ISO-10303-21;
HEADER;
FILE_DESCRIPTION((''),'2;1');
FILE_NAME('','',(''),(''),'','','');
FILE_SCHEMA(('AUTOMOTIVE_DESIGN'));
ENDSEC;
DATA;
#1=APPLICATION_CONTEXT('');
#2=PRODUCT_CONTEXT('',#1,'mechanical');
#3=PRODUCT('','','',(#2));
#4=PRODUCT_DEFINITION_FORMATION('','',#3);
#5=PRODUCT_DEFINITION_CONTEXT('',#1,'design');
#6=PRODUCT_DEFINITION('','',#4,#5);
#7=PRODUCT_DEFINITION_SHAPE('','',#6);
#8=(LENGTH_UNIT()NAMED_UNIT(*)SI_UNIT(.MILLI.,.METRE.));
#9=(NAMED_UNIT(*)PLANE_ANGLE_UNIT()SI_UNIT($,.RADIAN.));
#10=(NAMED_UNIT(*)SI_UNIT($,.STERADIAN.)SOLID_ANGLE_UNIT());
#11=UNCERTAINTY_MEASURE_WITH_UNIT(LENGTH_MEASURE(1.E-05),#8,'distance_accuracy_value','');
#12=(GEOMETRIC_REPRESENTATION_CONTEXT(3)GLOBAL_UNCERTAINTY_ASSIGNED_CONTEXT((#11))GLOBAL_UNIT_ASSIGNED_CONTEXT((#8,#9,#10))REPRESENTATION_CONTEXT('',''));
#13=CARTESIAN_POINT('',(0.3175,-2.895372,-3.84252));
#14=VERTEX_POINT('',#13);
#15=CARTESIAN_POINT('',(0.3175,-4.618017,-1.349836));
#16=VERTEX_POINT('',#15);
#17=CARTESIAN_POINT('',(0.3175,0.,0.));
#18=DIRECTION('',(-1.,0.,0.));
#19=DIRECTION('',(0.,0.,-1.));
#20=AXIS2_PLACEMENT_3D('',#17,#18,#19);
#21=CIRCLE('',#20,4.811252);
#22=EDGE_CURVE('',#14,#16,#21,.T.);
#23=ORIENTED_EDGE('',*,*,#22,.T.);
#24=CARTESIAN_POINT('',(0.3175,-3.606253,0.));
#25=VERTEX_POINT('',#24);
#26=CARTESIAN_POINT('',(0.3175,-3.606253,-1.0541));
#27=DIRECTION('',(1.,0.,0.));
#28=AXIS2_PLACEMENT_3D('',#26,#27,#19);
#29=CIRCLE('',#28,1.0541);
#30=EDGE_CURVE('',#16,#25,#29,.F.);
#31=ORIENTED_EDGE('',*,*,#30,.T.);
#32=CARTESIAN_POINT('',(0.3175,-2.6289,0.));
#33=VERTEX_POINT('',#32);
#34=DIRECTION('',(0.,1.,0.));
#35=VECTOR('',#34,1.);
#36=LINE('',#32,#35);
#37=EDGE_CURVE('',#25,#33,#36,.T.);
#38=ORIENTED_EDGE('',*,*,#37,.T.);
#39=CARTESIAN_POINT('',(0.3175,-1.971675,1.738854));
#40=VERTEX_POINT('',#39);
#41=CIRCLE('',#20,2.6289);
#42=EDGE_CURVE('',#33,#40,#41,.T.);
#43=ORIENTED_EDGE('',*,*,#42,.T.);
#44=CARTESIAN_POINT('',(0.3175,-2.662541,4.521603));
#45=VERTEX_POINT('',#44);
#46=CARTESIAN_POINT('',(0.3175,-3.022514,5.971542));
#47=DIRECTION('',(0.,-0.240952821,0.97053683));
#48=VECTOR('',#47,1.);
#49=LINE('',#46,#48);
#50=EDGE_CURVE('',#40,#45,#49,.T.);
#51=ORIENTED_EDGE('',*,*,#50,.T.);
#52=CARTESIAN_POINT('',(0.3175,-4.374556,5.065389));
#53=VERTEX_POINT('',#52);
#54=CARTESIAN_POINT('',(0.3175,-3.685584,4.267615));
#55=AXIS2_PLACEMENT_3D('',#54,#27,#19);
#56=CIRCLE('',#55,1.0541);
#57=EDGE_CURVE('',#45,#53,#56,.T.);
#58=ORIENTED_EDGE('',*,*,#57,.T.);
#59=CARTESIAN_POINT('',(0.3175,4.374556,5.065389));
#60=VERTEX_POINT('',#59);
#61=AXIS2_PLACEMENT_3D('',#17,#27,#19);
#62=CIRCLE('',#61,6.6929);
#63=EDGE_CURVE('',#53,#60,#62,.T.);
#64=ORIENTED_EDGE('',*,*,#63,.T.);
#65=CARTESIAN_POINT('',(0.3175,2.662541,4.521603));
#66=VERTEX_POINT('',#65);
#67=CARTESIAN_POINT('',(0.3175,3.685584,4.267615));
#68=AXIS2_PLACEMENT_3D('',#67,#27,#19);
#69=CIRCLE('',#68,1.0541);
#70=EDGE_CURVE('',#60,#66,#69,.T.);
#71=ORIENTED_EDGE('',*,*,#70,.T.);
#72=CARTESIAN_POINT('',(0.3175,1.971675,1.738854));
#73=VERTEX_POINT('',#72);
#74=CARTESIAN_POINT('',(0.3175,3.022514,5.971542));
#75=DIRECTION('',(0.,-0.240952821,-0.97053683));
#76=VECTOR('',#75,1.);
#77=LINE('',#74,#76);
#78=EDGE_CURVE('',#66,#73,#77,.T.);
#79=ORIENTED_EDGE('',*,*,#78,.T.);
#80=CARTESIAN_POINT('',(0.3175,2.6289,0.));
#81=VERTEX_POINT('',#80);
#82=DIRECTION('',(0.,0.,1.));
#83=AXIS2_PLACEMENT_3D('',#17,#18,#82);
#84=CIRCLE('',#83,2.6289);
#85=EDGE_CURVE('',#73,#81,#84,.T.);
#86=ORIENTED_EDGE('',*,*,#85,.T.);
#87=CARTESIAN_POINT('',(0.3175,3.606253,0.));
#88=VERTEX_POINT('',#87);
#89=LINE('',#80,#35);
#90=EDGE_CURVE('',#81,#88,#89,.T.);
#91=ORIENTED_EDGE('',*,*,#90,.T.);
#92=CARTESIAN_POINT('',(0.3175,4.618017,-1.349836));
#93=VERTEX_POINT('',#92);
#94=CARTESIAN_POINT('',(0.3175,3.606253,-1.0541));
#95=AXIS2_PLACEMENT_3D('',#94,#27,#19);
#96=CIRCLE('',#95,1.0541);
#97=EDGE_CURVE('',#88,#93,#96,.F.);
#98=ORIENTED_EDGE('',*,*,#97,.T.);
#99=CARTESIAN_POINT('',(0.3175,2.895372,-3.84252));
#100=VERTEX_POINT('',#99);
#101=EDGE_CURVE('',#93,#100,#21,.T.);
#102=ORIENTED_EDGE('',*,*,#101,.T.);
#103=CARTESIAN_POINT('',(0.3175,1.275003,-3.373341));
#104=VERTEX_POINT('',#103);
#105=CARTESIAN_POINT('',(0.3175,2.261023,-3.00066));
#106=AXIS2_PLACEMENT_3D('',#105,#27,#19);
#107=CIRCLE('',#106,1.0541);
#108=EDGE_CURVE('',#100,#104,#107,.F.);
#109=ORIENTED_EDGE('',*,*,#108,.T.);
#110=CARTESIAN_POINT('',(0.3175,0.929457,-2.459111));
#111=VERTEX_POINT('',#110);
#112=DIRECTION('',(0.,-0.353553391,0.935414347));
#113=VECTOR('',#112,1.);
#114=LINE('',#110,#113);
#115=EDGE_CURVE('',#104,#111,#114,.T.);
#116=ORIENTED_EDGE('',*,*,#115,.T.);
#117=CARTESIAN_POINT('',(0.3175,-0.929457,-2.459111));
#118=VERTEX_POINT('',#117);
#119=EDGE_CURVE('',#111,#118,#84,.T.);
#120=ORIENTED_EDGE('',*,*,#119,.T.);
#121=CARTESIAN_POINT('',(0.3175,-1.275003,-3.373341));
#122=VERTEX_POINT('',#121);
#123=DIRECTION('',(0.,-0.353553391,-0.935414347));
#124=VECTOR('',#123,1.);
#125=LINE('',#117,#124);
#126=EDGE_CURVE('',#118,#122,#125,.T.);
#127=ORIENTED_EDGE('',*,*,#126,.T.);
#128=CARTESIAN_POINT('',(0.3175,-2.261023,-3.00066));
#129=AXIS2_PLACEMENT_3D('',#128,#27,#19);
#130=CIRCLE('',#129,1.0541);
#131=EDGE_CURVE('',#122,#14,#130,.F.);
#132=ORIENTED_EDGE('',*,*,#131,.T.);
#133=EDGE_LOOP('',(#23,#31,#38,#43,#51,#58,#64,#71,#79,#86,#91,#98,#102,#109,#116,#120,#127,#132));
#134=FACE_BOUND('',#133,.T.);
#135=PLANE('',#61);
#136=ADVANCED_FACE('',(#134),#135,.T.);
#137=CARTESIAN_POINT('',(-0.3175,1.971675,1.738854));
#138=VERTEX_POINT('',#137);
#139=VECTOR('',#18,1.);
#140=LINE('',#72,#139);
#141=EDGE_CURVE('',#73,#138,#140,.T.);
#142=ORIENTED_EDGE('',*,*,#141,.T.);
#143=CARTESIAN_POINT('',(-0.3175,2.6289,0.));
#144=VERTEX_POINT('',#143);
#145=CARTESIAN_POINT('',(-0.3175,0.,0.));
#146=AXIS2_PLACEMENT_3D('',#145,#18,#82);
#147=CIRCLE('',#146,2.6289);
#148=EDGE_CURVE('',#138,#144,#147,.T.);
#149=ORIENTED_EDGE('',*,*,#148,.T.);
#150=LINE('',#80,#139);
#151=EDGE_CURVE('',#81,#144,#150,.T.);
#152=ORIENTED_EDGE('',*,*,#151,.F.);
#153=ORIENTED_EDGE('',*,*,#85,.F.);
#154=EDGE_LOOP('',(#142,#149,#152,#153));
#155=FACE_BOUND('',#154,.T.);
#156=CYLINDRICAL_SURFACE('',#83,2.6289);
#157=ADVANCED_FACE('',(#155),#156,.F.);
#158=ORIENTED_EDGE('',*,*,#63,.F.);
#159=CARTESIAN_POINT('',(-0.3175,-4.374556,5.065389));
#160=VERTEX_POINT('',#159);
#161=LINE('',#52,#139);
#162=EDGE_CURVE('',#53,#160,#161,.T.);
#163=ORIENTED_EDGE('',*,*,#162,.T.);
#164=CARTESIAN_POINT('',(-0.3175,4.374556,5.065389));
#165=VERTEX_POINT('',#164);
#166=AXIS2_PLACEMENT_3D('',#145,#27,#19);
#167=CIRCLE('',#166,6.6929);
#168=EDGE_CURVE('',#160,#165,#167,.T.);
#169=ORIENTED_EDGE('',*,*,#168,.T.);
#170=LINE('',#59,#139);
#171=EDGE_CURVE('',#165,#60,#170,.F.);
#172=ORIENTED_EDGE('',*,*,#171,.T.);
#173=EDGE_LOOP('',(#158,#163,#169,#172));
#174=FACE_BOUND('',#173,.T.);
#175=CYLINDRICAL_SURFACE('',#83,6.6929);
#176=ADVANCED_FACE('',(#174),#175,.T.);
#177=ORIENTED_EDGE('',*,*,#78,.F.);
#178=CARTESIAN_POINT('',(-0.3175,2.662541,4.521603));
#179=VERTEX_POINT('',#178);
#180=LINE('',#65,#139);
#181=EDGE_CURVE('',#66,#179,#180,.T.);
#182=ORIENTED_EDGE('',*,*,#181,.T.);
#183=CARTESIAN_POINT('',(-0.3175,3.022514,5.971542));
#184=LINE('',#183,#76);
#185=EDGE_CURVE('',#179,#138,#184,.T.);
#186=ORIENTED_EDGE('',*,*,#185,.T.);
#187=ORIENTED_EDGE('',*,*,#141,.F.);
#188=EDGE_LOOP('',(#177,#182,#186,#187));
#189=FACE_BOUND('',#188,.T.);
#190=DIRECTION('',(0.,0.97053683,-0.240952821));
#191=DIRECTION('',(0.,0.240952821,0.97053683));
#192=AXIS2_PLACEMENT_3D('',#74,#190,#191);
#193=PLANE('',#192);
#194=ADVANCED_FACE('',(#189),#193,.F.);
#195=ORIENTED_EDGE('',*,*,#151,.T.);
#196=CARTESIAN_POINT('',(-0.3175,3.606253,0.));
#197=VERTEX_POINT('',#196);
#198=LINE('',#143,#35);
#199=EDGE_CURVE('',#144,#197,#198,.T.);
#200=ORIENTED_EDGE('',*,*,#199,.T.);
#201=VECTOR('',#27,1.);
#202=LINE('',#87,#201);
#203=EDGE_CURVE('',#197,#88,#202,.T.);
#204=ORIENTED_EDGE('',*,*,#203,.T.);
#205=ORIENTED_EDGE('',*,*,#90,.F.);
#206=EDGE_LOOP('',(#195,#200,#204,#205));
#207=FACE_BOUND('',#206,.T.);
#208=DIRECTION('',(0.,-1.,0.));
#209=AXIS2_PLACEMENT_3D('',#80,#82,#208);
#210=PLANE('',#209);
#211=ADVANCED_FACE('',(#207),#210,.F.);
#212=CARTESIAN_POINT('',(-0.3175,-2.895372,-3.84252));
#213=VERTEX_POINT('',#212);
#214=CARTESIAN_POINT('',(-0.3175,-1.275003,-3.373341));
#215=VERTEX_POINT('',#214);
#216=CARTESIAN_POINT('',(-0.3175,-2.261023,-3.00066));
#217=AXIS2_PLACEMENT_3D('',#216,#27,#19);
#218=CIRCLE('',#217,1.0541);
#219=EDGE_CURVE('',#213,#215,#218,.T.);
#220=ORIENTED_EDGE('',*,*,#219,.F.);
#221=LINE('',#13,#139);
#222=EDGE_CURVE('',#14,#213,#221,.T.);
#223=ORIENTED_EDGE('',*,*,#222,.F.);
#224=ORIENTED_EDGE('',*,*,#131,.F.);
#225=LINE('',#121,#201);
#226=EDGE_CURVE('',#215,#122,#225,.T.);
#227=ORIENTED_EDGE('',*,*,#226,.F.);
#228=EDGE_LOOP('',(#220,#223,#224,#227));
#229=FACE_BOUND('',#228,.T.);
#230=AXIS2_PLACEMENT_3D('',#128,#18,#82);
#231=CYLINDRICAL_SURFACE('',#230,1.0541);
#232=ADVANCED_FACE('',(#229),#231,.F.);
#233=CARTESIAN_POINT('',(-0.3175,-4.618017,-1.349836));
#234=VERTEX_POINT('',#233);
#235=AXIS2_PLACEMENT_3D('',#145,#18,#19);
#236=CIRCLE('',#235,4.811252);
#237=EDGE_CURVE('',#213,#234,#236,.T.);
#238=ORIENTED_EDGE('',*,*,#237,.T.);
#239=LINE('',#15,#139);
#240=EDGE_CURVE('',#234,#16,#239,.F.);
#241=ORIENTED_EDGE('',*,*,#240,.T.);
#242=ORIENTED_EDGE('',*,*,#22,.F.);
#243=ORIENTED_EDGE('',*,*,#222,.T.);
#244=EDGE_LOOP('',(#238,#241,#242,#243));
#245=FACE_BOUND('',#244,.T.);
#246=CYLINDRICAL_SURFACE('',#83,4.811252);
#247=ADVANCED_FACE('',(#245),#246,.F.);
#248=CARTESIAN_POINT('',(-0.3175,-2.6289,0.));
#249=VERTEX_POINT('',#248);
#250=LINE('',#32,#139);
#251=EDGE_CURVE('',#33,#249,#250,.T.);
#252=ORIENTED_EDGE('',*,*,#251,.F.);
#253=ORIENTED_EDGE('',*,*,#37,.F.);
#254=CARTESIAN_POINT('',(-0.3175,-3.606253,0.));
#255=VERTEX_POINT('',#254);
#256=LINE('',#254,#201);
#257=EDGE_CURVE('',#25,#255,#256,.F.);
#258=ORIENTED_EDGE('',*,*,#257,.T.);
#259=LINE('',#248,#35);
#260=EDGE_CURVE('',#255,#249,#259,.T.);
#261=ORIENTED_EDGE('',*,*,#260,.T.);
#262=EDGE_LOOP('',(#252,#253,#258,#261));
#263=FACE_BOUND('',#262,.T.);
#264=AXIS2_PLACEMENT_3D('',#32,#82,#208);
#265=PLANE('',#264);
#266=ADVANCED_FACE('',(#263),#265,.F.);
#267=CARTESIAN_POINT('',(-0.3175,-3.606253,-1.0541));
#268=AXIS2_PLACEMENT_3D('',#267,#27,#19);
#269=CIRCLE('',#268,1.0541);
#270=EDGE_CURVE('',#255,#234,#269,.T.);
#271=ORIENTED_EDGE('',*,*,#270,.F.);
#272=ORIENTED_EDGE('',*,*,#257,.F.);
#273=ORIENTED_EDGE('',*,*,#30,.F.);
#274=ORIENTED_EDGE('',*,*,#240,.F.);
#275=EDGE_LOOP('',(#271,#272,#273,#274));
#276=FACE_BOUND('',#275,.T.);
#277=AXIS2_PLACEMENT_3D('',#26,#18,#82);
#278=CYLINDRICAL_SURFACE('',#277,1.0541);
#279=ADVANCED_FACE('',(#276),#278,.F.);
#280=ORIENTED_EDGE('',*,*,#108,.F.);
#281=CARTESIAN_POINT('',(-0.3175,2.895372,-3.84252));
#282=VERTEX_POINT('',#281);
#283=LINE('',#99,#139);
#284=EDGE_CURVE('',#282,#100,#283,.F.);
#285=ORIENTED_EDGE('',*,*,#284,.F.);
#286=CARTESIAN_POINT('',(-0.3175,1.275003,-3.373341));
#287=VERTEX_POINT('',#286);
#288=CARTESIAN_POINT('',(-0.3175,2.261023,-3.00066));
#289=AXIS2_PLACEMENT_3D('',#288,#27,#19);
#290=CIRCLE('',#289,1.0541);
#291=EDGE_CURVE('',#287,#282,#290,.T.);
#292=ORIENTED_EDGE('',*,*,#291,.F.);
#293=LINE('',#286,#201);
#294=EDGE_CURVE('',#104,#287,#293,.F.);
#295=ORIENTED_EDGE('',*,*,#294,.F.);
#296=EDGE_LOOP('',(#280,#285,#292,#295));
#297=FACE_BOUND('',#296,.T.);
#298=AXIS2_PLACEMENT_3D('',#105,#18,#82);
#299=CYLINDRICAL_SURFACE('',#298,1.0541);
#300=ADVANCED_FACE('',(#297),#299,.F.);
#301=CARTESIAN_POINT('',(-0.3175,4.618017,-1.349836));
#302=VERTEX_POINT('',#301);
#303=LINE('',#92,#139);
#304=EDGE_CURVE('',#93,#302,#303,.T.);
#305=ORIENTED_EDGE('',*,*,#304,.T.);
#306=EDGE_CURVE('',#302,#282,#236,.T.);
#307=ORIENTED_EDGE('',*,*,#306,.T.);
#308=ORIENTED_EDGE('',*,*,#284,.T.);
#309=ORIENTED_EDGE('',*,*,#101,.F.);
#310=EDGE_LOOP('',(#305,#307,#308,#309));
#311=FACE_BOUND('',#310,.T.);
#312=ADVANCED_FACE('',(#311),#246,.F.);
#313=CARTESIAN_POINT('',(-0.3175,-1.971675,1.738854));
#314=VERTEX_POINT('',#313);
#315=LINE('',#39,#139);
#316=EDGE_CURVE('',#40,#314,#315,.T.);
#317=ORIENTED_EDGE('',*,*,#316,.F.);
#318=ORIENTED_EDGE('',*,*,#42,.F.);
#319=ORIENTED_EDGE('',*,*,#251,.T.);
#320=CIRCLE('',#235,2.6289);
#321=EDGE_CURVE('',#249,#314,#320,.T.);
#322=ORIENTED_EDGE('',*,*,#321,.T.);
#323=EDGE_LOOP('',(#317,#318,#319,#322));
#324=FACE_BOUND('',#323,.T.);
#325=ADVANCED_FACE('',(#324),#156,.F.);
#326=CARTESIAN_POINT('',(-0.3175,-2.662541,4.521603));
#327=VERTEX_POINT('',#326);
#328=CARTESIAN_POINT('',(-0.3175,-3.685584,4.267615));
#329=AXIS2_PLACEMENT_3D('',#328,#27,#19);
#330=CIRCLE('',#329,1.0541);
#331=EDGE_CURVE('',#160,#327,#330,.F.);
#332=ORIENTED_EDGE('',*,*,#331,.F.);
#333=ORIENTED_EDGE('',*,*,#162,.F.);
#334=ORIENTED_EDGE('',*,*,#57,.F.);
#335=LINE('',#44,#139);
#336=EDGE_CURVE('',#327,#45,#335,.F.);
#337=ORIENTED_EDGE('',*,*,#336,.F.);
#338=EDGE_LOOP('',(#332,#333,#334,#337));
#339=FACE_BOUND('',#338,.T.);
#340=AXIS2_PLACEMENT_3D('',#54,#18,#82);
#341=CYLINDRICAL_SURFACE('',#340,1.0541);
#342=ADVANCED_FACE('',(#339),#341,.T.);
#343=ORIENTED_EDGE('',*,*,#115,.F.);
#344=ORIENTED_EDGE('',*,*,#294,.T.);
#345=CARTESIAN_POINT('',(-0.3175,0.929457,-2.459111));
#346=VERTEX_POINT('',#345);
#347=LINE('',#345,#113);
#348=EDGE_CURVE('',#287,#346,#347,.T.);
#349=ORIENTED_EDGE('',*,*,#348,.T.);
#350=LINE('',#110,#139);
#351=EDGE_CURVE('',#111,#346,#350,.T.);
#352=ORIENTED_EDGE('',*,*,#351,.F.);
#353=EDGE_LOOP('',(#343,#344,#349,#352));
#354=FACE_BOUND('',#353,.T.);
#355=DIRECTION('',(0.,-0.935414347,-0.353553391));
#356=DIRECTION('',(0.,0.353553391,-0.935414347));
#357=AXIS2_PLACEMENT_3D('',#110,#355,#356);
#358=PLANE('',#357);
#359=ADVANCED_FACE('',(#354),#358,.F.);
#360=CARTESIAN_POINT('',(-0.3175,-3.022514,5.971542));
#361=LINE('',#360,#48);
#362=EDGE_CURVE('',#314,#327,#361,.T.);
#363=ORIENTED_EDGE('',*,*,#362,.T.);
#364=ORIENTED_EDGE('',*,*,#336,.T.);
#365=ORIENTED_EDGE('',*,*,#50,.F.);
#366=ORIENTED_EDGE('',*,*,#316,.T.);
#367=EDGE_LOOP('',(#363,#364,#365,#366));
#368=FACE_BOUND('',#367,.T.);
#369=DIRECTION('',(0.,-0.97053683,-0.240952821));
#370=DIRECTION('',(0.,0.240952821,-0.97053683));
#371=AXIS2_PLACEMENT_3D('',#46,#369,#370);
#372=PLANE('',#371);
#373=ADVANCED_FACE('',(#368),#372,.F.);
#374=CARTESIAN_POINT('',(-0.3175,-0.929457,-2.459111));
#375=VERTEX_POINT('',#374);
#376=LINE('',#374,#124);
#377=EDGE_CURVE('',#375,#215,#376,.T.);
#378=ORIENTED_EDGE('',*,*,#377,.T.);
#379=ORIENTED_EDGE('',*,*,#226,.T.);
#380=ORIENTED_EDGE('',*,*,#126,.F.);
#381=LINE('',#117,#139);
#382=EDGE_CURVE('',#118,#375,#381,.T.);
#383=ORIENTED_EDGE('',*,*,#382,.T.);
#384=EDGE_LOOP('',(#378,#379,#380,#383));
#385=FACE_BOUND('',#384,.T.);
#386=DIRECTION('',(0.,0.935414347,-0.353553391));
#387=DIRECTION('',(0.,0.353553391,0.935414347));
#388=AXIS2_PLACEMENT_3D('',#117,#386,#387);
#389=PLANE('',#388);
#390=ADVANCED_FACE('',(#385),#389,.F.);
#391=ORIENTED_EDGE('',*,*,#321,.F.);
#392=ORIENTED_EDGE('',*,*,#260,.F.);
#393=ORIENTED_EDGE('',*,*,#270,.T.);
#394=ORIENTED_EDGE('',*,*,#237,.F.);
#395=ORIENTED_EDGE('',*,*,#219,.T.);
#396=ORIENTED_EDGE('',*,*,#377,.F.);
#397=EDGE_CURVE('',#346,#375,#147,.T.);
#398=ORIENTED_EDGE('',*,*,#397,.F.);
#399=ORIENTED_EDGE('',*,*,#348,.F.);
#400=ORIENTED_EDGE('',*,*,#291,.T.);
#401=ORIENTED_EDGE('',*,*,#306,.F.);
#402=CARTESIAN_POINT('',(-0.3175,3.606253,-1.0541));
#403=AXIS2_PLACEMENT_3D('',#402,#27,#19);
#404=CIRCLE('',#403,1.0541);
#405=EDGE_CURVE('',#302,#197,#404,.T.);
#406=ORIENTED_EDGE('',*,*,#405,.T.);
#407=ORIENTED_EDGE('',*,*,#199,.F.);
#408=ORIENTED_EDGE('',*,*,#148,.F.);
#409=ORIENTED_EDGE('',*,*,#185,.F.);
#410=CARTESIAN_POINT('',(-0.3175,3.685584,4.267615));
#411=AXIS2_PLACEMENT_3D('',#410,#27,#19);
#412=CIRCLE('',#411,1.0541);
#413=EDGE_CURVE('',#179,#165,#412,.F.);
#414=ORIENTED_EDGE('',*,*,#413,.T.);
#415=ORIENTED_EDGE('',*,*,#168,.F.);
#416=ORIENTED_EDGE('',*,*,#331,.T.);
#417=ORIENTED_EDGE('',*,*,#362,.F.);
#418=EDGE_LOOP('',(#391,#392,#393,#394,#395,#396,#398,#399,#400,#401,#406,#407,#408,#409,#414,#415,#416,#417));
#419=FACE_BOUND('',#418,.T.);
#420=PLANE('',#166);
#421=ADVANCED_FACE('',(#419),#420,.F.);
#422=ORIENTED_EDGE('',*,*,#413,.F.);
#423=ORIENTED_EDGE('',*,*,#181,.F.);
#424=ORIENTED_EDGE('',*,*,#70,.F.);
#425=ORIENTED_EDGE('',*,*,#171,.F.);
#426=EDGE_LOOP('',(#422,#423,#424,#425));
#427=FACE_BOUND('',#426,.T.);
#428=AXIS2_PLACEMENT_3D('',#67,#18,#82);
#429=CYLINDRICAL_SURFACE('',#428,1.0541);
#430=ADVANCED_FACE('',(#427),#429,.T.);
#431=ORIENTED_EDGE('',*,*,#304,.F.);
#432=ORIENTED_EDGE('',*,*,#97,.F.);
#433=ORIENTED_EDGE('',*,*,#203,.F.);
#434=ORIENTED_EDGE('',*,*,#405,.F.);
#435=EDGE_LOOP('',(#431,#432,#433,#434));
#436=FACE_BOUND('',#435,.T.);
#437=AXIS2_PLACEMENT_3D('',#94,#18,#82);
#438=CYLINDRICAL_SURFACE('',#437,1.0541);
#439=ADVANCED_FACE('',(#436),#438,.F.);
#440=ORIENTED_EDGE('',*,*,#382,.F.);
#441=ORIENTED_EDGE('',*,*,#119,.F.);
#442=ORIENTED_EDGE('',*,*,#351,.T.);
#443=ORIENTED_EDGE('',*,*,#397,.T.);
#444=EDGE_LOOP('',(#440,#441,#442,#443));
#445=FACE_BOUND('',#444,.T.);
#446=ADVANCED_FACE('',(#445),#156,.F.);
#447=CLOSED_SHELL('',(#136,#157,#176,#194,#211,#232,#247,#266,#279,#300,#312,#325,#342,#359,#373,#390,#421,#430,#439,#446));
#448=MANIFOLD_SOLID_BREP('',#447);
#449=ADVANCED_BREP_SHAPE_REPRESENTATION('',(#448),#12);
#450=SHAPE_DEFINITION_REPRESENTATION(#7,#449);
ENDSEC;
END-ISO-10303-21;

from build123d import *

# Parameters (mm, degrees)
EXTRUDE1_DEPTH = 0.3175
FILLET1_R      = 1.0541


with BuildPart() as part:
    # Sketch1 → Extrude1 (new body, symmetric)
    with BuildSketch(Plane(origin=(0, 0, 0), x_dir=(0, 0, -1), z_dir=(1, 0, 0))):
        with BuildLine():
            Line((-5.971542337, -3.022514273), (-1.738853905, -1.971675))
            ThreePointArc((-1.738853905, -1.971675), (-0.929456509, -2.459110776), (0, -2.6289))
            Line((0, -2.6289), (0, -4.811251613))
            ThreePointArc((0, -4.811251613), (2.735327948, -3.958045364), (4.500513784, -1.701034321))
            Line((4.500513784, -1.701034321), (2.459110776, -0.929456509))
            ThreePointArc((2.459110776, -0.929456509), (2.6289, 0), (2.459110776, 0.929456509))
            Line((2.459110776, 0.929456509), (4.500513784, 1.701034321))
            ThreePointArc((4.500513784, 1.701034321), (2.735327948, 3.958045364), (0, 4.811251613))
            Line((0, 4.811251613), (0, 2.6289))
            ThreePointArc((0, 2.6289), (-0.929456509, 2.459110776), (-1.738853905, 1.971675))
            Line((-1.738853905, 1.971675), (-5.971542337, 3.022514273))
            ThreePointArc((-5.971542337, 3.022514273), (6.6929, 0), (-5.971542337, -3.022514273))
        make_face()
    extrude(amount=EXTRUDE1_DEPTH, both=True)

    # Fillet1
    fillet1_edges = [part.edges().sort_by_distance(p)[0] for p in [
        (0, -3.022514273, 5.971542337),
        (0, -4.811251613, 0),
        (0, -1.701034321, -4.500513784),
        (0, 1.701034321, -4.500513784),
        (0, 4.811251613, 0),
        (0, 3.022514273, 5.971542337),
    ]]
    fillet(fillet1_edges, radius=FILLET1_R)


solid = part.part
